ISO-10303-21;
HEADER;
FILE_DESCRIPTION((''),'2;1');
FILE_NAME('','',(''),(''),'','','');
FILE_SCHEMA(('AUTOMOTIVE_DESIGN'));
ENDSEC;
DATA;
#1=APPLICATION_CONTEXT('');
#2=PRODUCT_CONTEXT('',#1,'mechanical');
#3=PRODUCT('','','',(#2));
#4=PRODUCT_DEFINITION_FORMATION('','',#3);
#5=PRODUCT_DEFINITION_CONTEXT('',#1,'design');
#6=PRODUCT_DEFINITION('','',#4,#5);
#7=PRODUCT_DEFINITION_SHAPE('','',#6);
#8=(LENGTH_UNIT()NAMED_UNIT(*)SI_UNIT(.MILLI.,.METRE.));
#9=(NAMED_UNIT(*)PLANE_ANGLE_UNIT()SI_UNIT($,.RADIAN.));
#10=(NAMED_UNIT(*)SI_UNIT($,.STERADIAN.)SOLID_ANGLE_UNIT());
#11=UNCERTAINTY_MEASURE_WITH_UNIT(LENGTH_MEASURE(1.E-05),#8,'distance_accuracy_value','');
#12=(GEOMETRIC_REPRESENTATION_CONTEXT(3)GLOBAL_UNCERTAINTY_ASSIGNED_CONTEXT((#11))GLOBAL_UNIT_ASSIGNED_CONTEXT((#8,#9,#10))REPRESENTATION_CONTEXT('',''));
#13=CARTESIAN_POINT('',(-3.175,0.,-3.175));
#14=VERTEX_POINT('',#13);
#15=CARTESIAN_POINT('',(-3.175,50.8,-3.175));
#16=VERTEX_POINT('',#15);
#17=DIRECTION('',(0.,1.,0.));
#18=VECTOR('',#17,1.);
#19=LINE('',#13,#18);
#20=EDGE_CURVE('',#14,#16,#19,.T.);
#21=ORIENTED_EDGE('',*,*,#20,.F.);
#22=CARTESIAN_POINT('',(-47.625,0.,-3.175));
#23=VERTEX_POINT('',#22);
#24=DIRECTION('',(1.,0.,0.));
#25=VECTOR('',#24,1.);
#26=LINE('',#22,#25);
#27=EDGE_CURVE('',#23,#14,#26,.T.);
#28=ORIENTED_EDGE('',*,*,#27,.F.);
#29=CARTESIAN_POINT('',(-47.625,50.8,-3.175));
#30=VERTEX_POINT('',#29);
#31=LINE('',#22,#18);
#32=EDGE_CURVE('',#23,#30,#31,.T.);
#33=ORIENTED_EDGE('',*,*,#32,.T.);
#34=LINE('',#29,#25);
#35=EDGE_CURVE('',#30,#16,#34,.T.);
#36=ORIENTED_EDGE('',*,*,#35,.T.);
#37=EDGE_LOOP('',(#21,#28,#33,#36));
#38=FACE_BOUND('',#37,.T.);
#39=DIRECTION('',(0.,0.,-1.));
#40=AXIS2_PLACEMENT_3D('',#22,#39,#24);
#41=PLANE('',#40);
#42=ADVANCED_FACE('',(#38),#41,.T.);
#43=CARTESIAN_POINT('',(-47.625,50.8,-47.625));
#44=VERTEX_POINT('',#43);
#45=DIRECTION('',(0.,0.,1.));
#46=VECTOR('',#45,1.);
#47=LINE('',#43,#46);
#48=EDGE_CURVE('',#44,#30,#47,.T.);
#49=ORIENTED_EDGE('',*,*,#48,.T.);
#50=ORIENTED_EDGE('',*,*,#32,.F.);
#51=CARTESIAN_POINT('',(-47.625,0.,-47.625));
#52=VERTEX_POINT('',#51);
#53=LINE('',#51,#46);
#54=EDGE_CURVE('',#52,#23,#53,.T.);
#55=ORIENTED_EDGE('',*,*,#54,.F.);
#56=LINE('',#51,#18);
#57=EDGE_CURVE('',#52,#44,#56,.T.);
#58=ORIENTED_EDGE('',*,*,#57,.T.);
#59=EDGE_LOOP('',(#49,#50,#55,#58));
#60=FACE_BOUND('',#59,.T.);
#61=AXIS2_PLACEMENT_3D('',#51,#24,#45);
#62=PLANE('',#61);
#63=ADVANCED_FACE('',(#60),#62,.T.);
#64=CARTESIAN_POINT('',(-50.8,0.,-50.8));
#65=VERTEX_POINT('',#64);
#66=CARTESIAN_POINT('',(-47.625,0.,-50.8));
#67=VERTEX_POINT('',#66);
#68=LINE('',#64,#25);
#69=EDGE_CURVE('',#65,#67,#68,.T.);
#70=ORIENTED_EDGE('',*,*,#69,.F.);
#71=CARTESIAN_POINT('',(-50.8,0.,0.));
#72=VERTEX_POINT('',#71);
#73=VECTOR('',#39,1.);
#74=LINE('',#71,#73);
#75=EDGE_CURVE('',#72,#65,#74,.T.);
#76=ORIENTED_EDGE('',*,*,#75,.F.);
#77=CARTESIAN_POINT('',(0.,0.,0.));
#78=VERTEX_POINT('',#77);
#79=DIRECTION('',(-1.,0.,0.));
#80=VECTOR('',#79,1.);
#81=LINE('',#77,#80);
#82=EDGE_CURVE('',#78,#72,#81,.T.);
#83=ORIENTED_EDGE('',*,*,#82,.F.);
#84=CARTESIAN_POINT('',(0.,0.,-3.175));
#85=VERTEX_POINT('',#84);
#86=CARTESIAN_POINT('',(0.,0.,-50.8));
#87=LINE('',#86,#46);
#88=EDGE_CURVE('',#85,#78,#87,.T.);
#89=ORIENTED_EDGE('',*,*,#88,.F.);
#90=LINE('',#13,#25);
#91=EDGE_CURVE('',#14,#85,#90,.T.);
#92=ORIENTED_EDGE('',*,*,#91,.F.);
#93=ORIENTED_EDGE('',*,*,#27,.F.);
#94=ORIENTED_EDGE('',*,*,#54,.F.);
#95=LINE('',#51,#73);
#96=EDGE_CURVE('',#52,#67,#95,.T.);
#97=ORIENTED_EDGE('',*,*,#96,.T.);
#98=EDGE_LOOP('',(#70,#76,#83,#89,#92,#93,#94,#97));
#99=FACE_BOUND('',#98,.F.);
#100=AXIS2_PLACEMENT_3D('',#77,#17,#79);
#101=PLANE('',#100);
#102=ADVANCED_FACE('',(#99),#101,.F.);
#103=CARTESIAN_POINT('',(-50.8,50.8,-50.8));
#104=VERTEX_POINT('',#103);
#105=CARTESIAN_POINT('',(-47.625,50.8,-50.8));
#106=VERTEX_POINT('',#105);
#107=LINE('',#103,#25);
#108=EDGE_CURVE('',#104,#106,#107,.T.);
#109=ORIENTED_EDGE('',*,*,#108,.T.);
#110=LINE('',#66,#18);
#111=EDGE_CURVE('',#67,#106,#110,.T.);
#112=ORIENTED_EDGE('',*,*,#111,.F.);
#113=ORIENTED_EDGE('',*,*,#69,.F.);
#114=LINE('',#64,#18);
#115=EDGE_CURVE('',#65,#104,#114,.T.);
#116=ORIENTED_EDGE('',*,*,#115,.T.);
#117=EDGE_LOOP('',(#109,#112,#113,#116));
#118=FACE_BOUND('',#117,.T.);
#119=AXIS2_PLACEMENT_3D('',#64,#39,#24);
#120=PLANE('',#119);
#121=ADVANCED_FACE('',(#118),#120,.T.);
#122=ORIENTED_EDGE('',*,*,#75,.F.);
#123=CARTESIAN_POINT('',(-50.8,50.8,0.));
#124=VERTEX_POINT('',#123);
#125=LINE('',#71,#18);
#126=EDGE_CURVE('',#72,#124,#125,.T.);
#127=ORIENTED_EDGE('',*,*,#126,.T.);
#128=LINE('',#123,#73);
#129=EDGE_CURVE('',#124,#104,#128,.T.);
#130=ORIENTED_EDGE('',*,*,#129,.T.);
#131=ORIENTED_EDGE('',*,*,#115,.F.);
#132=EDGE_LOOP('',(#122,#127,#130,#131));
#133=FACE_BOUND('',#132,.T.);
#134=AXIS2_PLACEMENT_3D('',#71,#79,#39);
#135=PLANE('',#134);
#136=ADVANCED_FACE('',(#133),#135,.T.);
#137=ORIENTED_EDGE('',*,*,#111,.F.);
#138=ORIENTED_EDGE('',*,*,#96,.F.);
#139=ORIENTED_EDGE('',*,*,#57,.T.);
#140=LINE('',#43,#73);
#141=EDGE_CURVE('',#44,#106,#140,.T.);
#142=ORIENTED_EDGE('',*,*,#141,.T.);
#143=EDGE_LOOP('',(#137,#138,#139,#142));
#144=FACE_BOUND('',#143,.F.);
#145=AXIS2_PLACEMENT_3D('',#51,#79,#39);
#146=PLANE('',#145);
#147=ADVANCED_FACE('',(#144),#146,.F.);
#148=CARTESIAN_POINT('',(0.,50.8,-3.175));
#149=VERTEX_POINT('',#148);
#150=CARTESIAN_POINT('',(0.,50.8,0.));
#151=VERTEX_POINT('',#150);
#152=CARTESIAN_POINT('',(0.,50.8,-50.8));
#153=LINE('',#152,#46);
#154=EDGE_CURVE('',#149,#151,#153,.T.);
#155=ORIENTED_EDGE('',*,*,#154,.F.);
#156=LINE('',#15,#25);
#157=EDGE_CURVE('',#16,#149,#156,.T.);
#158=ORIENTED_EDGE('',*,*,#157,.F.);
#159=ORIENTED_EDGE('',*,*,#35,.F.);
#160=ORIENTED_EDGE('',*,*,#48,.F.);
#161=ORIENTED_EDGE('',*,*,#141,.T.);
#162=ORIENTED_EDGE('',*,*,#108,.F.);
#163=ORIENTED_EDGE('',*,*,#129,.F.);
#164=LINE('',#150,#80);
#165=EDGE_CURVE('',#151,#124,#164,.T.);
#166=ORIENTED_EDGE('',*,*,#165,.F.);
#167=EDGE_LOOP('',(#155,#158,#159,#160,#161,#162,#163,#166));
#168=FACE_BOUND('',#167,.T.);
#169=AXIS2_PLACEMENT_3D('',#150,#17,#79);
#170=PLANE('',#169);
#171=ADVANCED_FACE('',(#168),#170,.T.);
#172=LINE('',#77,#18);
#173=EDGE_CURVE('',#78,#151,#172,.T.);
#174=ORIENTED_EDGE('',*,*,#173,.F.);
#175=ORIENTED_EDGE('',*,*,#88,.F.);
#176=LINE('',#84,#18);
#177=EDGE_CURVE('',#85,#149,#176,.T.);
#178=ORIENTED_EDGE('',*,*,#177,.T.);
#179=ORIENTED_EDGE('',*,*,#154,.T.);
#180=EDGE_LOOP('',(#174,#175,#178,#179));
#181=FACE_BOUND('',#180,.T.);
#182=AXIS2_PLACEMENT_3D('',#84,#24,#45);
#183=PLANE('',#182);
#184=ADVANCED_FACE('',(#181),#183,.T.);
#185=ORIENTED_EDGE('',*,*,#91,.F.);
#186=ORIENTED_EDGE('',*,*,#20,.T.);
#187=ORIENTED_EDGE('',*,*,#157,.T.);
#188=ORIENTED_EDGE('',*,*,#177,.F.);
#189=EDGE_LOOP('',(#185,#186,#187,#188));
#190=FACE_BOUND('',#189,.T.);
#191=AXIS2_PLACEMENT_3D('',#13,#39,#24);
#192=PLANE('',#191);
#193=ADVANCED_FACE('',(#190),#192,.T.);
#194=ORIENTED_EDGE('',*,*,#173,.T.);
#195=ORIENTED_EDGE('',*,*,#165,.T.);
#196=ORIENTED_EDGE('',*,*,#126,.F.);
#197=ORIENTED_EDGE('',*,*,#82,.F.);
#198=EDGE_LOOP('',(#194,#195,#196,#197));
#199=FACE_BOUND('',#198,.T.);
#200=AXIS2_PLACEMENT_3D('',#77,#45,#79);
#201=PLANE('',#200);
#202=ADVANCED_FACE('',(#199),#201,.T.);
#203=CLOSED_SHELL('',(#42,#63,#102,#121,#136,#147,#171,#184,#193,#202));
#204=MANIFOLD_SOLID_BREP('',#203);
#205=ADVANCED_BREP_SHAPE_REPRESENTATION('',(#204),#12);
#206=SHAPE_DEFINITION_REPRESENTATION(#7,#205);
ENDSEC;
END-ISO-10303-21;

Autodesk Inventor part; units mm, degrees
ref_plane "YZ Plane" through (0, 0, 0) normal (1, 0, 0) x (0, 1, 0)
ref_plane "XZ Plane" through (0, 0, 0) normal (0, 1, 0) x (-1, 0, 0)
ref_plane "XY Plane" through (0, 0, 0) normal (0, 0, 1) x (1, 0, 0)
sketch "Sketch1" plane through (0, 0, 0) normal (0, 1, 0) x (-1, 0, 0)
  point P0 (0, 0)
sketch "Sketch2" plane through (0, 0, 0) normal (0, 1, 0) x (-1, 0, 0)
  line L0 (0, 0) -> (50.8, 0)
  line L1 (50.8, 0) -> (50.8, -50.8)
  line L2 (50.8, -50.8) -> (0, -50.8)
  line L3 (0, -50.8) -> (0, 0)
  line L4 (47.625, -47.625) -> (47.625, -3.175)
  line L5 (47.625, -3.175) -> (3.175, -3.175)
  line L6 (3.175, -3.175) -> (3.175, -47.625)
  line L7 (3.175, -47.625) -> (47.625, -47.625)
  line L8 (3.175, -3.175) -> (0, -3.175)
  line L9 (47.625, -47.625) -> (47.625, -50.8)
  dimension "d0" = 50.8
  dimension "d1" = 50.8
  dimension "d2" = 3.175
extrude "Extrusion1" add sketch "Sketch2" along normal blind 50.8 contours L0 L1 L2 L9 L4 L5 L8 L3
properties part number "AluminumBracket" material "Aluminum 6061"
